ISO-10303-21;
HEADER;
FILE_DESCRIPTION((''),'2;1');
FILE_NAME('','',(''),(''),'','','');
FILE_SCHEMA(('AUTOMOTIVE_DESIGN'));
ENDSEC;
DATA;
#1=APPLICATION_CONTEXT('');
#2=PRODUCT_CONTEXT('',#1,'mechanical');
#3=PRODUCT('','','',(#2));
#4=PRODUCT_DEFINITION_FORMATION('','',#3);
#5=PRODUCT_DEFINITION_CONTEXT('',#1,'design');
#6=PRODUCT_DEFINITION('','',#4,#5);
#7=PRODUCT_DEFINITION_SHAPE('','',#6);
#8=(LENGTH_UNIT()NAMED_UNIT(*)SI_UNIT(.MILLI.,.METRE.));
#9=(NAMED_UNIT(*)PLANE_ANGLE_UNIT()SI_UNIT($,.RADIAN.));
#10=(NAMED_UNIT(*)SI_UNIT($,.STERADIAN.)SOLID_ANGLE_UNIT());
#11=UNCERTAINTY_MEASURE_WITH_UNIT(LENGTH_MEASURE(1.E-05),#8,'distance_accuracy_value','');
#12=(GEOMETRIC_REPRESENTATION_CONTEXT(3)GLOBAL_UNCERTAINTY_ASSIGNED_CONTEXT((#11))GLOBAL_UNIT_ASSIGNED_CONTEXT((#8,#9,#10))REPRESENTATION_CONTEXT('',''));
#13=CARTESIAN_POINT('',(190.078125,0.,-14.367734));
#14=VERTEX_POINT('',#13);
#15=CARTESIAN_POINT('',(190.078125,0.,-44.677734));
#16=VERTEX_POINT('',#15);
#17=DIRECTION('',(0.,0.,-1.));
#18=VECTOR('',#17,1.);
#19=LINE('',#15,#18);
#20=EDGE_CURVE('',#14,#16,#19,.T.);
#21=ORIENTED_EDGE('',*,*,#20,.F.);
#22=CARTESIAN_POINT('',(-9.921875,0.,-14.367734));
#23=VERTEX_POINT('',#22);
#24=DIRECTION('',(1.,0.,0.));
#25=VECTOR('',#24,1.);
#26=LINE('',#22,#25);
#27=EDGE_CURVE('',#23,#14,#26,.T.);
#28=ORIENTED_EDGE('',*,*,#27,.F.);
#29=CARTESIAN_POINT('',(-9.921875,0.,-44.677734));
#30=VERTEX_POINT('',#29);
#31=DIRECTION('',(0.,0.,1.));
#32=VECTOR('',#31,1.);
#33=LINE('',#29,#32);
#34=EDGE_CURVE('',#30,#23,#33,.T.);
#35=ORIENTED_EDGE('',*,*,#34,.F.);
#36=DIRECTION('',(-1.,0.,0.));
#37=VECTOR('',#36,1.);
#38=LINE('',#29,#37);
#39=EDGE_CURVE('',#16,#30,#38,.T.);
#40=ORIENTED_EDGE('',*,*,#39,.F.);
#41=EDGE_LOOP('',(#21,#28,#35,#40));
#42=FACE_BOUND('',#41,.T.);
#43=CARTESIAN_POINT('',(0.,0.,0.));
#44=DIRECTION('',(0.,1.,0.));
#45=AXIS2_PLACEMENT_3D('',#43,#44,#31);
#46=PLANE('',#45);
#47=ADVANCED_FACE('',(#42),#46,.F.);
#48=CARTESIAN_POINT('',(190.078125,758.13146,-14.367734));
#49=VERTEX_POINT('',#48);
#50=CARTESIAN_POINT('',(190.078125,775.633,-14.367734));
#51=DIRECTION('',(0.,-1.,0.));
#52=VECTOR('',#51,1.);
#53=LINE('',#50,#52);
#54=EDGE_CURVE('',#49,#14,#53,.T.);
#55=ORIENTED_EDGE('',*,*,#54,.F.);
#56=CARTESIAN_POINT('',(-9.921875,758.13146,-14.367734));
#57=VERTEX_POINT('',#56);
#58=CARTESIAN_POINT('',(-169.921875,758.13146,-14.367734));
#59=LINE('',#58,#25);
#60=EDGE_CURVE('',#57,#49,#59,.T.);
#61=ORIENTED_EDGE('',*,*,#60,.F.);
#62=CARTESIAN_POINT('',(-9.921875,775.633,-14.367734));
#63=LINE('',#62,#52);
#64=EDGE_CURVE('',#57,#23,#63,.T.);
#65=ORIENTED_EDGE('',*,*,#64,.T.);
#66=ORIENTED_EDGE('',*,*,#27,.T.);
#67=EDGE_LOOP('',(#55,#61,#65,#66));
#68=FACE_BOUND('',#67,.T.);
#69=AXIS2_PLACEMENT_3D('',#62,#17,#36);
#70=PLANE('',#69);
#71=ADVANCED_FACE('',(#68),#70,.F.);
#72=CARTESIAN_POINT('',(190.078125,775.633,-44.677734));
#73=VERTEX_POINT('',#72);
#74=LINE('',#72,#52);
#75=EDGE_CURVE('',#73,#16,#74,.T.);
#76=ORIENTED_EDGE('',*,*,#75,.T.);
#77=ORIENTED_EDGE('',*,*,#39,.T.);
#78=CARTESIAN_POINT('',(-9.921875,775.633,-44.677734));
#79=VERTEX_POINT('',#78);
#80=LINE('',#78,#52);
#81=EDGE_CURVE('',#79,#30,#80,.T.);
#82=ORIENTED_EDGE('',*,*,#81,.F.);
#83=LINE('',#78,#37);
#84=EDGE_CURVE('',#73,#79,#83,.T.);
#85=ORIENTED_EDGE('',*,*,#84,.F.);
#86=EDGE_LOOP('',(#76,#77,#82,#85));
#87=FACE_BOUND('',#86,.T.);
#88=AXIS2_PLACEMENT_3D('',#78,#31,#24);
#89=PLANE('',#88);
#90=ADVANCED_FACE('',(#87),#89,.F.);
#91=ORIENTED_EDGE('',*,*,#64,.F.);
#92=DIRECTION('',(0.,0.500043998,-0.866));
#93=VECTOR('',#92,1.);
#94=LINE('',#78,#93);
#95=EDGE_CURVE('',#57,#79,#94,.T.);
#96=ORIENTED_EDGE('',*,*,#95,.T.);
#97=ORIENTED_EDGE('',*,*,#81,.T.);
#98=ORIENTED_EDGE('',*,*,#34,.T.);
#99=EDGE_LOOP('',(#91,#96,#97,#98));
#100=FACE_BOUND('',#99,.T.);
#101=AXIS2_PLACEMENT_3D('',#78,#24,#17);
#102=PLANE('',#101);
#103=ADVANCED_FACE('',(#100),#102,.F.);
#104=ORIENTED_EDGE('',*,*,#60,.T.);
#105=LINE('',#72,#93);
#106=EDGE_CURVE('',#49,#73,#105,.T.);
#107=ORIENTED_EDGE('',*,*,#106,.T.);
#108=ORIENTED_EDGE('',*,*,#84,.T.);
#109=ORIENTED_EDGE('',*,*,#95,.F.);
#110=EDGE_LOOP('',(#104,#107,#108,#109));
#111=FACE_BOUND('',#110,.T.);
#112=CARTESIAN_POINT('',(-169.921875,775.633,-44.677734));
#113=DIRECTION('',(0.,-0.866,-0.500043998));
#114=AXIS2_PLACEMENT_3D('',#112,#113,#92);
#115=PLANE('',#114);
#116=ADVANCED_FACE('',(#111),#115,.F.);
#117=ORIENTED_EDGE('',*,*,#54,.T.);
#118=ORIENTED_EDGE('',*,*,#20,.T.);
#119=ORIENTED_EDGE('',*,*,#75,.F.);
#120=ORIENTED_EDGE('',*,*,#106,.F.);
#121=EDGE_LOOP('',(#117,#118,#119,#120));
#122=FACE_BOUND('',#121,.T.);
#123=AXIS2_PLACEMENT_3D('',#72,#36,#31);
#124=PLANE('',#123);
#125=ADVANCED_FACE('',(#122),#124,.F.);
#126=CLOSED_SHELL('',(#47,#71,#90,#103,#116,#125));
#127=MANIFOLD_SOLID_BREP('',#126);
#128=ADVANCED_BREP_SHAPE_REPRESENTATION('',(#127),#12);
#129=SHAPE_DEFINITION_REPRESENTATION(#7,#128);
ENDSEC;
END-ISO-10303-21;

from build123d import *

# Parameters (mm, degrees)
CROQUIS1_W              = 200
CROQUIS1_H              = 30.31
SALIENTE_EXTRUIR1_DEPTH = 775.633
CORTAR_EXTRUIR1_DEPTH   = 360


with BuildPart() as part:
    # Croquis1 → Saliente-Extruir1 (new body)
    with BuildSketch(Plane(origin=(0, 0, 0), x_dir=(1, 0, 0), z_dir=(0, 1, 0))):
        with Locations((90.078125, 29.522734375)):
            Rectangle(CROQUIS1_W, CROQUIS1_H)
    extrude(amount=SALIENTE_EXTRUIR1_DEPTH)

    # Croquis5 → Cortar-Extruir1 (cut)
    with BuildSketch(Plane(origin=(190.078125, 0, 0), x_dir=(0, 0, -1), z_dir=(1, 0, 0))):
        Polygon((14.367734375, 775.633), (44.677734375, 775.633), (14.367734375, 758.131460068), align=None)
    extrude(amount=-CORTAR_EXTRUIR1_DEPTH, mode=Mode.SUBTRACT)


solid = part.part
